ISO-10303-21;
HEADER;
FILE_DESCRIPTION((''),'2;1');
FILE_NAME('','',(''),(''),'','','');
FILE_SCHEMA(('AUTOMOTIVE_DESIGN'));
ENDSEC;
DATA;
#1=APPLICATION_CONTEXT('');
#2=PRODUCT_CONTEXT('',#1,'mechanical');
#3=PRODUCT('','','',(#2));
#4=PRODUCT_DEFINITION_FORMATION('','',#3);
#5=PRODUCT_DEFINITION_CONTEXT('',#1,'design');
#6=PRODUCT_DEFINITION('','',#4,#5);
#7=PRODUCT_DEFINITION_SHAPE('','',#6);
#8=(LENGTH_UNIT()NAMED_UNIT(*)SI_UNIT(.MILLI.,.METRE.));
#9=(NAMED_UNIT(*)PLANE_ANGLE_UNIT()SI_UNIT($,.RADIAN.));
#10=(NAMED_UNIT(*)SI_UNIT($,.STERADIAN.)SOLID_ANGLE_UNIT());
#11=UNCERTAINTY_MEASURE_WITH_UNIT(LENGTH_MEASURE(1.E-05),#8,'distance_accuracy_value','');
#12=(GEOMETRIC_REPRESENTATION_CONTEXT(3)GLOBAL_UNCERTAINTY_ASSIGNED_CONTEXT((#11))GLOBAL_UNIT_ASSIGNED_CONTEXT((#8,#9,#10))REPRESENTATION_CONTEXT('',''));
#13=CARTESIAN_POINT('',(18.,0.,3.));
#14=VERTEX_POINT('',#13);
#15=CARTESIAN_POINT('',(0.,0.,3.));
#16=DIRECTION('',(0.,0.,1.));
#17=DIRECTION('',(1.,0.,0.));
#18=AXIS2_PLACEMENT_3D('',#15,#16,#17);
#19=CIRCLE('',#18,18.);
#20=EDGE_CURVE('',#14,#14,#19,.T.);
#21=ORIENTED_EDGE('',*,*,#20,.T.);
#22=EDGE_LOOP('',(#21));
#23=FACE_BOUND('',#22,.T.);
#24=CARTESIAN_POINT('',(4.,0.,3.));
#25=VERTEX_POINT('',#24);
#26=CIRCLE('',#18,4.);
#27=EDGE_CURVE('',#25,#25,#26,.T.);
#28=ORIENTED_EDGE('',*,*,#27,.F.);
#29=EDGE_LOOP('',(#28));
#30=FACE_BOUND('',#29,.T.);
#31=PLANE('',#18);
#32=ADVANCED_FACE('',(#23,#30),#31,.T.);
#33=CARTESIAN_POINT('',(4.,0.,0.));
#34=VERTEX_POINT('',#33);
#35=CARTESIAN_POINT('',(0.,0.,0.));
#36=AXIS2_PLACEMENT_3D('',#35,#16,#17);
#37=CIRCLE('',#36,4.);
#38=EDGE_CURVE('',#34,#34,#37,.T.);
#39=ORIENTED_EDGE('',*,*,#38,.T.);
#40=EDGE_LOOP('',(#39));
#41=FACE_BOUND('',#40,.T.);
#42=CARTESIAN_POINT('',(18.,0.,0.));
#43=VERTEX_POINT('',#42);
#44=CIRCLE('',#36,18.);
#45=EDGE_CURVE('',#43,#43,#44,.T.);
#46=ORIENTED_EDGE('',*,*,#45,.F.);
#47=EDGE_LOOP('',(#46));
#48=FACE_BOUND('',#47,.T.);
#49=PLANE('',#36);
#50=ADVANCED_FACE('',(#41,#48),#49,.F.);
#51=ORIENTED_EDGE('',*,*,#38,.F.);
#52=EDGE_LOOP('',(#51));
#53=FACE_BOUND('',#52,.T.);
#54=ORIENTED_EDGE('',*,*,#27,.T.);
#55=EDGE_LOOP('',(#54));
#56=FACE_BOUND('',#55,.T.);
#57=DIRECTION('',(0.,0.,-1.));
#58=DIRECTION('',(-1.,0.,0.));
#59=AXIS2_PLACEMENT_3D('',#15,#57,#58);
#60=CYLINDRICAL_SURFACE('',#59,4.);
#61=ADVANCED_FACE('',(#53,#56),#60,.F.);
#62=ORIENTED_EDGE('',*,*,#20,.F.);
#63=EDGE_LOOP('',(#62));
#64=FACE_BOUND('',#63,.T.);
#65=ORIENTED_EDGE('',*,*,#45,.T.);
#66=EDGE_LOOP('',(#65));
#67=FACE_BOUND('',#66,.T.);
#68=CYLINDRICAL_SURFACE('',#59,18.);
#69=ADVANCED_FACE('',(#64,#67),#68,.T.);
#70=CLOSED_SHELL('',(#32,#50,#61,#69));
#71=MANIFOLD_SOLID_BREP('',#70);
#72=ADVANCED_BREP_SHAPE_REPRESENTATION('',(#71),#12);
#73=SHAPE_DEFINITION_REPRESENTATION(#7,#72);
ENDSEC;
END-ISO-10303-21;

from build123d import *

# Parameters (mm, degrees)
SCHIZZO1_R                   = 18
SCHIZZO1_R_2                 = 4
ESTRUSIONE_ESTRUSIONE1_DEPTH = 3


with BuildPart() as part:
    # Schizzo1 → Estrusione-Estrusione1 (new body)
    with BuildSketch(Plane.XY):
        Circle(SCHIZZO1_R)
        Circle(SCHIZZO1_R_2, mode=Mode.SUBTRACT)
    extrude(amount=ESTRUSIONE_ESTRUSIONE1_DEPTH)


solid = part.part
